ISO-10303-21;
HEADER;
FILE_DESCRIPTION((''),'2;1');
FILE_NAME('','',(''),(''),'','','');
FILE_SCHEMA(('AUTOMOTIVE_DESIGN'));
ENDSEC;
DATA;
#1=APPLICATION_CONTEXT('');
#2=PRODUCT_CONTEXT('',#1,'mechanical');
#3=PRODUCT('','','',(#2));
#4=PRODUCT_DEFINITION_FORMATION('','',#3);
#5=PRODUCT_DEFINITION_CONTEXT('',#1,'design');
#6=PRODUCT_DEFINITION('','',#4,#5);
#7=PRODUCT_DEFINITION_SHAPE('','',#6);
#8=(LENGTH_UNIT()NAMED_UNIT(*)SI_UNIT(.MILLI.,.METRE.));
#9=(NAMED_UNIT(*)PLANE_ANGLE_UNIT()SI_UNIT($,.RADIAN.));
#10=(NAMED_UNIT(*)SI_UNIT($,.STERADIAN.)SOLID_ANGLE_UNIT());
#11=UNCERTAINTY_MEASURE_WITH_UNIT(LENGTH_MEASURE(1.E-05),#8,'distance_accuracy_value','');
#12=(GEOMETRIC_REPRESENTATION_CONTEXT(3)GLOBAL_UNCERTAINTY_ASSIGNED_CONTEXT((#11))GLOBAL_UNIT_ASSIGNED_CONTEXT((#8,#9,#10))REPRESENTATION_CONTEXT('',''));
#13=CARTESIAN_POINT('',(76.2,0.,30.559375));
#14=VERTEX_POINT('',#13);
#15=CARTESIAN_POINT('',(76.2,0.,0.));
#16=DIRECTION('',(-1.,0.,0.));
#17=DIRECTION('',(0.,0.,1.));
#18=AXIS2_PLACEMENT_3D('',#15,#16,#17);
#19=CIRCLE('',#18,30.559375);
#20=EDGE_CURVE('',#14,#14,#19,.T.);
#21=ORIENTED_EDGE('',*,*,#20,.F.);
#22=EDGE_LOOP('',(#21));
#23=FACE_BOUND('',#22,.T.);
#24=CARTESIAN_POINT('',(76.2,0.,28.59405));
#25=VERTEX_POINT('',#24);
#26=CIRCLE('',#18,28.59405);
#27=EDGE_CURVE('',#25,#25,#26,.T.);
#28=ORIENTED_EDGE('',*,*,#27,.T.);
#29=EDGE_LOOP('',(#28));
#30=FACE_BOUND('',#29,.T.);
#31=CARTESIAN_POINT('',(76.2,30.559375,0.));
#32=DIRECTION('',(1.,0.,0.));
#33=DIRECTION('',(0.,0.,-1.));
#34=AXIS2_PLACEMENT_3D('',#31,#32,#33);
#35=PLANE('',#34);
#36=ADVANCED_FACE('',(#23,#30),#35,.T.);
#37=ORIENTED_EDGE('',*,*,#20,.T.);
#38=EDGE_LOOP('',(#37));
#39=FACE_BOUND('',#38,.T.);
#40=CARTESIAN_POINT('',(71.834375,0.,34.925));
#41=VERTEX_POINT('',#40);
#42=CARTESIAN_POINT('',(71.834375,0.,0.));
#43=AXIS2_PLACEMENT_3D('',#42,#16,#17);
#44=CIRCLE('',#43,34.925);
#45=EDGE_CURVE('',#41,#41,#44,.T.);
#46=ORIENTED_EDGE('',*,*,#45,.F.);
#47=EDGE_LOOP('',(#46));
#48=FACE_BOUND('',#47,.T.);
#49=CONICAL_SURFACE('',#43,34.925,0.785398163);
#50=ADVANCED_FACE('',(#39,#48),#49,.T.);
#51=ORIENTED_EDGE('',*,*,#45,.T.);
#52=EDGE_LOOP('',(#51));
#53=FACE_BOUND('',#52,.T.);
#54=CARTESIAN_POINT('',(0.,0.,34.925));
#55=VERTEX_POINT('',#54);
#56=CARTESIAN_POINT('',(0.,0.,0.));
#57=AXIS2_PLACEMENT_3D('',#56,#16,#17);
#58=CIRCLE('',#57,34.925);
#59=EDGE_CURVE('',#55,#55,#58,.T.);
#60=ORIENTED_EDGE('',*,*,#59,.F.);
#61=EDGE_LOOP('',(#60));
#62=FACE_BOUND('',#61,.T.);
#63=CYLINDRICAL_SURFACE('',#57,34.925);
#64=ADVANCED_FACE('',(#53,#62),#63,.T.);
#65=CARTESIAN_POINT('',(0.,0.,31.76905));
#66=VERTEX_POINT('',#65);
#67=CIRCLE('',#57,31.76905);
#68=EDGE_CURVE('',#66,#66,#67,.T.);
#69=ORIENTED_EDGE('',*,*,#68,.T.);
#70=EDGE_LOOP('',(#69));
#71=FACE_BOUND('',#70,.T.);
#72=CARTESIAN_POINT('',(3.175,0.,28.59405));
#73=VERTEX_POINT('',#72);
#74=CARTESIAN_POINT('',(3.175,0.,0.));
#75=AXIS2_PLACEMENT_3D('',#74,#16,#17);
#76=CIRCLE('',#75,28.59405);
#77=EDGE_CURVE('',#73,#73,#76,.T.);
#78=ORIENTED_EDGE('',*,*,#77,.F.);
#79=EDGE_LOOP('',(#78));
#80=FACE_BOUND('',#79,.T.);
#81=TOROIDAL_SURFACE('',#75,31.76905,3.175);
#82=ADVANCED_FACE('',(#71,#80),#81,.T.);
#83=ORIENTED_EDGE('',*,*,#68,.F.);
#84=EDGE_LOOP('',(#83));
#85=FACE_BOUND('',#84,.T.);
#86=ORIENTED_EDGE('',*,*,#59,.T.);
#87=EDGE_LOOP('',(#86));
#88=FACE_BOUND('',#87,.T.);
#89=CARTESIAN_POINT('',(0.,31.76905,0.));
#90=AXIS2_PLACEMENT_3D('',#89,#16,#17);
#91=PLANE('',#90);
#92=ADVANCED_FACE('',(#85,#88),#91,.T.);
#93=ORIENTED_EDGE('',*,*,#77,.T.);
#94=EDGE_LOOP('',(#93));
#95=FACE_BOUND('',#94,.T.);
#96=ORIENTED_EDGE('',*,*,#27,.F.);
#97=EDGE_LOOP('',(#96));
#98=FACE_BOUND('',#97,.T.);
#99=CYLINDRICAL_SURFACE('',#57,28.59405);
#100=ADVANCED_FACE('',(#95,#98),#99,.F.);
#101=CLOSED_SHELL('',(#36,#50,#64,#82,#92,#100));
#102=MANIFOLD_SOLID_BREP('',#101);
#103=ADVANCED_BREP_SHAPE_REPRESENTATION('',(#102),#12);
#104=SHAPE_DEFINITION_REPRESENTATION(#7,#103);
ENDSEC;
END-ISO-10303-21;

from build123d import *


with BuildPart() as part:
    # Sketch1 → BaseBody (revolve)
    with BuildSketch(Plane.XY, mode=Mode.PRIVATE) as basebody_sk:
        with BuildLine():
            Line((0, 31.76905), (0, 34.925))
            Line((0, 34.925), (71.834375, 34.925))
            Line((71.834375, 34.925), (76.2, 30.559375))
            Line((76.2, 30.559375), (76.2, 28.59405))
            Line((76.2, 28.59405), (3.175, 28.59405))
            ThreePointArc((3.175, 28.59405), (0.92993597, 29.52398597), (0, 31.76905))
        make_face()
    revolve(basebody_sk.sketch.rotate(Axis((0, 0, 0), (1, 0, 0)), 90), axis=Axis((0, 0, 0), (1, 0, 0)))


solid = part.part
